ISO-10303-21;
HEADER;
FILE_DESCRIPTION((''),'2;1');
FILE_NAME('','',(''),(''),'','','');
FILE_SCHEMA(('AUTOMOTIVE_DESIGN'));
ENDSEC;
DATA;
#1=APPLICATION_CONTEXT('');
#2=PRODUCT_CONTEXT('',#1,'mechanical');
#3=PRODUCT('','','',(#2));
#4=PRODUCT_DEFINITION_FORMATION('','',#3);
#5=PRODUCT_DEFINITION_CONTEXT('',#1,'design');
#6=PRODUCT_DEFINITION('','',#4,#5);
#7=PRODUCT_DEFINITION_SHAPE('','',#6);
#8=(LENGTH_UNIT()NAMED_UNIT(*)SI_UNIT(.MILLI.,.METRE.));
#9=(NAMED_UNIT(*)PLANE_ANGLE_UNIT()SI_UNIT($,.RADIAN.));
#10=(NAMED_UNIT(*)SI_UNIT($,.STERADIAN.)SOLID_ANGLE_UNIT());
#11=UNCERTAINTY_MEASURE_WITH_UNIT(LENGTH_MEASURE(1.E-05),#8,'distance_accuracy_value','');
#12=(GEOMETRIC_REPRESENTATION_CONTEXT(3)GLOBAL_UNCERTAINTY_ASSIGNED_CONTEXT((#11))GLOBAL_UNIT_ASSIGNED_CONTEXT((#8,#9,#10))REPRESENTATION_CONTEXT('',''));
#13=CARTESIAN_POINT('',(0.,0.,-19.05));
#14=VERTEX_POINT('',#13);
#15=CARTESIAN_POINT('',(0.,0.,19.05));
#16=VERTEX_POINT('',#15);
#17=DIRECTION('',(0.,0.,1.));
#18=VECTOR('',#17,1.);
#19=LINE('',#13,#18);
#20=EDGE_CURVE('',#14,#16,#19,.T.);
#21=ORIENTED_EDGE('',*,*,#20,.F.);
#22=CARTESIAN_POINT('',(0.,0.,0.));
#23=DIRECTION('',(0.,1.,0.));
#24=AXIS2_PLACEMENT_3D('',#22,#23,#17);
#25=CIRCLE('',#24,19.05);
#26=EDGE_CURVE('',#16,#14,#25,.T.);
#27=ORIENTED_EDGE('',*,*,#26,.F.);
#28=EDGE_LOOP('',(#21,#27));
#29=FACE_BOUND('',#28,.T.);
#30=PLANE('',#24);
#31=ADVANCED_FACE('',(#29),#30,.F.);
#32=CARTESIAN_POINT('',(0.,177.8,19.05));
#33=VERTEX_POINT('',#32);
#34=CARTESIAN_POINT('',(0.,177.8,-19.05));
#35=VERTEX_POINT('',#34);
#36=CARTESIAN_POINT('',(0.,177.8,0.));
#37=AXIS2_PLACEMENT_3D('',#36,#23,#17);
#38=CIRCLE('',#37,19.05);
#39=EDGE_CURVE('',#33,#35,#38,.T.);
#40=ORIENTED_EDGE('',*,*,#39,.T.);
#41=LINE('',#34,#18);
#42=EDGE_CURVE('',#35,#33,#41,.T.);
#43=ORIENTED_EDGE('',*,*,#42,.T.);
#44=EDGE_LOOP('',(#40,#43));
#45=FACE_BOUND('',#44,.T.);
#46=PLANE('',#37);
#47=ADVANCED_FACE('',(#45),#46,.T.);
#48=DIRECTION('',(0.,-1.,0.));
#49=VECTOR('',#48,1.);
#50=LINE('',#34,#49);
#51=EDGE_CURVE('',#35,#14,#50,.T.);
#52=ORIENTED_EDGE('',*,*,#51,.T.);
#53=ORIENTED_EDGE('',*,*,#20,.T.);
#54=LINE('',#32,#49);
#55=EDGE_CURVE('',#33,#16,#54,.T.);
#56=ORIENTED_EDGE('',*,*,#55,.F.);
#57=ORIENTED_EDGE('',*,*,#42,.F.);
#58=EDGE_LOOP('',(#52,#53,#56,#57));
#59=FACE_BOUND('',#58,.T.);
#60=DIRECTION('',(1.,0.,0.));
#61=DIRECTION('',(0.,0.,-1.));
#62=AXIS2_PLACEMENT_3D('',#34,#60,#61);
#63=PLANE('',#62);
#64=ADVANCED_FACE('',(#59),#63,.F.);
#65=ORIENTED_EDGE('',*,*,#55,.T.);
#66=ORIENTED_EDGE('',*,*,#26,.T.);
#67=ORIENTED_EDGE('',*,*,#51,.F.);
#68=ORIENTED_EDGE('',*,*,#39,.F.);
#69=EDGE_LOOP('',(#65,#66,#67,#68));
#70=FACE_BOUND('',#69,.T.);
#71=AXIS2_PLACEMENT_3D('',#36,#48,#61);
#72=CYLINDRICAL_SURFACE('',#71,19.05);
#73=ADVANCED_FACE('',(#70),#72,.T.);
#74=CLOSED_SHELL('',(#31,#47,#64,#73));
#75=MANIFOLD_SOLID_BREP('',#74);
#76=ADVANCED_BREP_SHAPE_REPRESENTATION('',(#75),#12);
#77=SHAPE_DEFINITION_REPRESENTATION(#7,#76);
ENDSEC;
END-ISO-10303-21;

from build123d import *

# Parameters (mm, degrees)
BOSS_EXTRUDE4_DEPTH = 177.8


with BuildPart() as part:
    # Sketch2 → Boss-Extrude4 (new body)
    with BuildSketch(Plane(origin=(0, 0, 0), x_dir=(1, 0, 0), z_dir=(0, 1, 0))):
        with BuildLine():
            Line((0, 19.05), (0, -19.05))
            ThreePointArc((0, -19.05), (19.05, 0), (0, 19.05))
        make_face()
    extrude(amount=BOSS_EXTRUDE4_DEPTH)


solid = part.part
